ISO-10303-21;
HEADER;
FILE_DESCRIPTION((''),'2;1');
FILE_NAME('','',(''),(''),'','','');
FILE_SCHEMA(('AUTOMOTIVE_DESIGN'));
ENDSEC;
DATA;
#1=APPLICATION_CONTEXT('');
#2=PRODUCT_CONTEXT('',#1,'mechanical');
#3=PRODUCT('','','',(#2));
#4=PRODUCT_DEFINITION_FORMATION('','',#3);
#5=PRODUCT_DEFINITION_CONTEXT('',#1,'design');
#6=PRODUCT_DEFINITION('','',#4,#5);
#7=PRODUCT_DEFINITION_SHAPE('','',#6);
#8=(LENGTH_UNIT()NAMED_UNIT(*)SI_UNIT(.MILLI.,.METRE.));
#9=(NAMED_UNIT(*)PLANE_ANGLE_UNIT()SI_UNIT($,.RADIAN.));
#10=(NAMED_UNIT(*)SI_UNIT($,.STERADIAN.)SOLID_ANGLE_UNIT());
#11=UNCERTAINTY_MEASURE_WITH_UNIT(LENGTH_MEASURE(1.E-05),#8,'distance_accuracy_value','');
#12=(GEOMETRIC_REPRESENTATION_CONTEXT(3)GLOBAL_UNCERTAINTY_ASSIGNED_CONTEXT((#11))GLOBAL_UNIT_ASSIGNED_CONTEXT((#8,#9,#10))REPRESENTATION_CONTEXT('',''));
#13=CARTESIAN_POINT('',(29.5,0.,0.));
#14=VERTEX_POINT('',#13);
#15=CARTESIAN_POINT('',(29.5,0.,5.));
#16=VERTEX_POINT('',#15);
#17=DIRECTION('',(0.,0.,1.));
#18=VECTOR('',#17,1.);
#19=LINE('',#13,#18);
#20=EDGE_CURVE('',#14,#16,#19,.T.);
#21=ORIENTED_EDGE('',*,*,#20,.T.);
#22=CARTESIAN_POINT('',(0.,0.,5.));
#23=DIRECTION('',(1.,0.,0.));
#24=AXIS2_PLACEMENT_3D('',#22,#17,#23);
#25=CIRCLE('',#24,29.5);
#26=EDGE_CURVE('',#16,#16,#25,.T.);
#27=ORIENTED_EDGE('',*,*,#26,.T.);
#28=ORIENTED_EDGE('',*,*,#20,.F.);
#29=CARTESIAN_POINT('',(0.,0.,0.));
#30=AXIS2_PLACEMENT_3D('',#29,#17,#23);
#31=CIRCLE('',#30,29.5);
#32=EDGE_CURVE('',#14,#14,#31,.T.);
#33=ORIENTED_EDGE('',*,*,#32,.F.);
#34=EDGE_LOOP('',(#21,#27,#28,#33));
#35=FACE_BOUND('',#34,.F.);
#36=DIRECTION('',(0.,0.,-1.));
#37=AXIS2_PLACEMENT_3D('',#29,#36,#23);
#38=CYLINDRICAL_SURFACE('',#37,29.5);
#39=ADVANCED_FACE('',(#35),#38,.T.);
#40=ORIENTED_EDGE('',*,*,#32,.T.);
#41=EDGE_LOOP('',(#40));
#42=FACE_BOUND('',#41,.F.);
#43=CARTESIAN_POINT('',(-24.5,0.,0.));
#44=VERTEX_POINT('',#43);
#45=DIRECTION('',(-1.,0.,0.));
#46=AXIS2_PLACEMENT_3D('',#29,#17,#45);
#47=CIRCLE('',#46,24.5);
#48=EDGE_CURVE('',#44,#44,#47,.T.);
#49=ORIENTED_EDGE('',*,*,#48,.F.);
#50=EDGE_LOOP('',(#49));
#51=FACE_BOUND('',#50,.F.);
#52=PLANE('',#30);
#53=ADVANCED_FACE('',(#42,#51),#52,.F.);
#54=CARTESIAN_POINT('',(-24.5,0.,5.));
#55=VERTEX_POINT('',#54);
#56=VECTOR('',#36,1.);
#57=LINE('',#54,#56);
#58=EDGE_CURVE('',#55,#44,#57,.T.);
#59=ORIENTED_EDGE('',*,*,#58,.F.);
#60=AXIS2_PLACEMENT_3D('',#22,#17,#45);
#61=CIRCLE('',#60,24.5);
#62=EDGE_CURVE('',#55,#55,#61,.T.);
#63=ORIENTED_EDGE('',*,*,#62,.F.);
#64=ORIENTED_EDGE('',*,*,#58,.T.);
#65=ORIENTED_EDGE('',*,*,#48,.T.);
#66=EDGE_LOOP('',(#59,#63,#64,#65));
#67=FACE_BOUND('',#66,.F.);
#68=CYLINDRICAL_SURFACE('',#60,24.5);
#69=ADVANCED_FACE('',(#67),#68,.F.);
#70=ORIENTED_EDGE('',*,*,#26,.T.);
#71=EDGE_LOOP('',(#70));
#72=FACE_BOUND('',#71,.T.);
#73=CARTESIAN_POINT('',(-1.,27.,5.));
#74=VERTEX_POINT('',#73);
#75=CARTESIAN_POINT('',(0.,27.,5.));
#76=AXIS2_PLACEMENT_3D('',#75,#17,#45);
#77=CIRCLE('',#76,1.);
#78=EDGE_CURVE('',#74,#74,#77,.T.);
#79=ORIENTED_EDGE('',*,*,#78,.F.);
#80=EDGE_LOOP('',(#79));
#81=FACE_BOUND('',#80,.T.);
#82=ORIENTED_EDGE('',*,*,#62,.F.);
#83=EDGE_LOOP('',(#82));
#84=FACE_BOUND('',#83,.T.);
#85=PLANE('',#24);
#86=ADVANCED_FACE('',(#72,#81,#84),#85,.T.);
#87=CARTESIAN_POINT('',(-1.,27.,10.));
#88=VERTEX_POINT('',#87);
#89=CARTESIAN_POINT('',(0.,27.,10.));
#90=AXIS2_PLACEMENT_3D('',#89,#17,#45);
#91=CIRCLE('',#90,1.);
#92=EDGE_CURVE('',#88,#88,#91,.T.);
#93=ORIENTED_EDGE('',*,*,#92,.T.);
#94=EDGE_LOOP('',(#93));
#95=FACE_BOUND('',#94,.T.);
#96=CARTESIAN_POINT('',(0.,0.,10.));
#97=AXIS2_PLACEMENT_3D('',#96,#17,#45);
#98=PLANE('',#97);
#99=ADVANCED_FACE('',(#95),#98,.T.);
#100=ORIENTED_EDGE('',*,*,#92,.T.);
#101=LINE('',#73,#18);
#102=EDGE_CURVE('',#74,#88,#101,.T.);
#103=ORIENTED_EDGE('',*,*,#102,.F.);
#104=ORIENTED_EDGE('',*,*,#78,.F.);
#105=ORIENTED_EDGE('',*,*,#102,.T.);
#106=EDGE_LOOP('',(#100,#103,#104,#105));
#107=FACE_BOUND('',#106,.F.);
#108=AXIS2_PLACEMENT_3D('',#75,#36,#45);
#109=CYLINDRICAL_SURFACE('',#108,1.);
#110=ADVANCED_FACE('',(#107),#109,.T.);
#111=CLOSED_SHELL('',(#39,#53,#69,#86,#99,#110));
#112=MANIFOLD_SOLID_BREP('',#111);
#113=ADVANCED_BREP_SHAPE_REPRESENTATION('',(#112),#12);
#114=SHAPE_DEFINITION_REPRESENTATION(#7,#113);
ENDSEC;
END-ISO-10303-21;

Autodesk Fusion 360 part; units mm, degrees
sketch "Sketch1" plane through (0, 0, 0) normal (0, 0, 1) x (1, 0, 0)
  circle A0 centre (0, 0) radius 29.5
  dimension "d1" = 59
sketch "Sketch2" plane through (0, 0, 0) normal (0, 0, 1) x (1, 0, 0)
  circle A0 centre (0, 0) radius 22.5
  dimension "d2" = 45
extrude "Extrude1" add sketch "Sketch1" sketch "Sketch2" along normal blind 5 of sketch 2
sketch "Sketch3" plane through (0, 0, 5) normal (0, 0, 1) x (-1, 0, 0)
  circle A0 centre (0, 0) radius 29.5
  circle A1 centre (0, 0) radius 24.5
  dimension "d5" = 49
extrude "Extrude2" cut sketch "Sketch3" against normal blind 115 contours A1
sketch "Sketch4" plane through (0, 0, 0) normal (0, 0, 1) x (1, 0, 0)
sketch "Sketch5" plane through (0, 0, 5) normal (0, 0, 1) x (-1, 0, 0)
  circle A0 centre (0, 0) radius 24.5
  circle A1 centre (0, 0) radius 29.5
  circle A2 centre (0, -27) radius 1
extrude "Extrude3" add sketch "Sketch5" along normal blind 5 contours A2
sketch "Sketch6" plane through (0, 0, 0) normal (0, 0, 1) x (1, 0, 0)
